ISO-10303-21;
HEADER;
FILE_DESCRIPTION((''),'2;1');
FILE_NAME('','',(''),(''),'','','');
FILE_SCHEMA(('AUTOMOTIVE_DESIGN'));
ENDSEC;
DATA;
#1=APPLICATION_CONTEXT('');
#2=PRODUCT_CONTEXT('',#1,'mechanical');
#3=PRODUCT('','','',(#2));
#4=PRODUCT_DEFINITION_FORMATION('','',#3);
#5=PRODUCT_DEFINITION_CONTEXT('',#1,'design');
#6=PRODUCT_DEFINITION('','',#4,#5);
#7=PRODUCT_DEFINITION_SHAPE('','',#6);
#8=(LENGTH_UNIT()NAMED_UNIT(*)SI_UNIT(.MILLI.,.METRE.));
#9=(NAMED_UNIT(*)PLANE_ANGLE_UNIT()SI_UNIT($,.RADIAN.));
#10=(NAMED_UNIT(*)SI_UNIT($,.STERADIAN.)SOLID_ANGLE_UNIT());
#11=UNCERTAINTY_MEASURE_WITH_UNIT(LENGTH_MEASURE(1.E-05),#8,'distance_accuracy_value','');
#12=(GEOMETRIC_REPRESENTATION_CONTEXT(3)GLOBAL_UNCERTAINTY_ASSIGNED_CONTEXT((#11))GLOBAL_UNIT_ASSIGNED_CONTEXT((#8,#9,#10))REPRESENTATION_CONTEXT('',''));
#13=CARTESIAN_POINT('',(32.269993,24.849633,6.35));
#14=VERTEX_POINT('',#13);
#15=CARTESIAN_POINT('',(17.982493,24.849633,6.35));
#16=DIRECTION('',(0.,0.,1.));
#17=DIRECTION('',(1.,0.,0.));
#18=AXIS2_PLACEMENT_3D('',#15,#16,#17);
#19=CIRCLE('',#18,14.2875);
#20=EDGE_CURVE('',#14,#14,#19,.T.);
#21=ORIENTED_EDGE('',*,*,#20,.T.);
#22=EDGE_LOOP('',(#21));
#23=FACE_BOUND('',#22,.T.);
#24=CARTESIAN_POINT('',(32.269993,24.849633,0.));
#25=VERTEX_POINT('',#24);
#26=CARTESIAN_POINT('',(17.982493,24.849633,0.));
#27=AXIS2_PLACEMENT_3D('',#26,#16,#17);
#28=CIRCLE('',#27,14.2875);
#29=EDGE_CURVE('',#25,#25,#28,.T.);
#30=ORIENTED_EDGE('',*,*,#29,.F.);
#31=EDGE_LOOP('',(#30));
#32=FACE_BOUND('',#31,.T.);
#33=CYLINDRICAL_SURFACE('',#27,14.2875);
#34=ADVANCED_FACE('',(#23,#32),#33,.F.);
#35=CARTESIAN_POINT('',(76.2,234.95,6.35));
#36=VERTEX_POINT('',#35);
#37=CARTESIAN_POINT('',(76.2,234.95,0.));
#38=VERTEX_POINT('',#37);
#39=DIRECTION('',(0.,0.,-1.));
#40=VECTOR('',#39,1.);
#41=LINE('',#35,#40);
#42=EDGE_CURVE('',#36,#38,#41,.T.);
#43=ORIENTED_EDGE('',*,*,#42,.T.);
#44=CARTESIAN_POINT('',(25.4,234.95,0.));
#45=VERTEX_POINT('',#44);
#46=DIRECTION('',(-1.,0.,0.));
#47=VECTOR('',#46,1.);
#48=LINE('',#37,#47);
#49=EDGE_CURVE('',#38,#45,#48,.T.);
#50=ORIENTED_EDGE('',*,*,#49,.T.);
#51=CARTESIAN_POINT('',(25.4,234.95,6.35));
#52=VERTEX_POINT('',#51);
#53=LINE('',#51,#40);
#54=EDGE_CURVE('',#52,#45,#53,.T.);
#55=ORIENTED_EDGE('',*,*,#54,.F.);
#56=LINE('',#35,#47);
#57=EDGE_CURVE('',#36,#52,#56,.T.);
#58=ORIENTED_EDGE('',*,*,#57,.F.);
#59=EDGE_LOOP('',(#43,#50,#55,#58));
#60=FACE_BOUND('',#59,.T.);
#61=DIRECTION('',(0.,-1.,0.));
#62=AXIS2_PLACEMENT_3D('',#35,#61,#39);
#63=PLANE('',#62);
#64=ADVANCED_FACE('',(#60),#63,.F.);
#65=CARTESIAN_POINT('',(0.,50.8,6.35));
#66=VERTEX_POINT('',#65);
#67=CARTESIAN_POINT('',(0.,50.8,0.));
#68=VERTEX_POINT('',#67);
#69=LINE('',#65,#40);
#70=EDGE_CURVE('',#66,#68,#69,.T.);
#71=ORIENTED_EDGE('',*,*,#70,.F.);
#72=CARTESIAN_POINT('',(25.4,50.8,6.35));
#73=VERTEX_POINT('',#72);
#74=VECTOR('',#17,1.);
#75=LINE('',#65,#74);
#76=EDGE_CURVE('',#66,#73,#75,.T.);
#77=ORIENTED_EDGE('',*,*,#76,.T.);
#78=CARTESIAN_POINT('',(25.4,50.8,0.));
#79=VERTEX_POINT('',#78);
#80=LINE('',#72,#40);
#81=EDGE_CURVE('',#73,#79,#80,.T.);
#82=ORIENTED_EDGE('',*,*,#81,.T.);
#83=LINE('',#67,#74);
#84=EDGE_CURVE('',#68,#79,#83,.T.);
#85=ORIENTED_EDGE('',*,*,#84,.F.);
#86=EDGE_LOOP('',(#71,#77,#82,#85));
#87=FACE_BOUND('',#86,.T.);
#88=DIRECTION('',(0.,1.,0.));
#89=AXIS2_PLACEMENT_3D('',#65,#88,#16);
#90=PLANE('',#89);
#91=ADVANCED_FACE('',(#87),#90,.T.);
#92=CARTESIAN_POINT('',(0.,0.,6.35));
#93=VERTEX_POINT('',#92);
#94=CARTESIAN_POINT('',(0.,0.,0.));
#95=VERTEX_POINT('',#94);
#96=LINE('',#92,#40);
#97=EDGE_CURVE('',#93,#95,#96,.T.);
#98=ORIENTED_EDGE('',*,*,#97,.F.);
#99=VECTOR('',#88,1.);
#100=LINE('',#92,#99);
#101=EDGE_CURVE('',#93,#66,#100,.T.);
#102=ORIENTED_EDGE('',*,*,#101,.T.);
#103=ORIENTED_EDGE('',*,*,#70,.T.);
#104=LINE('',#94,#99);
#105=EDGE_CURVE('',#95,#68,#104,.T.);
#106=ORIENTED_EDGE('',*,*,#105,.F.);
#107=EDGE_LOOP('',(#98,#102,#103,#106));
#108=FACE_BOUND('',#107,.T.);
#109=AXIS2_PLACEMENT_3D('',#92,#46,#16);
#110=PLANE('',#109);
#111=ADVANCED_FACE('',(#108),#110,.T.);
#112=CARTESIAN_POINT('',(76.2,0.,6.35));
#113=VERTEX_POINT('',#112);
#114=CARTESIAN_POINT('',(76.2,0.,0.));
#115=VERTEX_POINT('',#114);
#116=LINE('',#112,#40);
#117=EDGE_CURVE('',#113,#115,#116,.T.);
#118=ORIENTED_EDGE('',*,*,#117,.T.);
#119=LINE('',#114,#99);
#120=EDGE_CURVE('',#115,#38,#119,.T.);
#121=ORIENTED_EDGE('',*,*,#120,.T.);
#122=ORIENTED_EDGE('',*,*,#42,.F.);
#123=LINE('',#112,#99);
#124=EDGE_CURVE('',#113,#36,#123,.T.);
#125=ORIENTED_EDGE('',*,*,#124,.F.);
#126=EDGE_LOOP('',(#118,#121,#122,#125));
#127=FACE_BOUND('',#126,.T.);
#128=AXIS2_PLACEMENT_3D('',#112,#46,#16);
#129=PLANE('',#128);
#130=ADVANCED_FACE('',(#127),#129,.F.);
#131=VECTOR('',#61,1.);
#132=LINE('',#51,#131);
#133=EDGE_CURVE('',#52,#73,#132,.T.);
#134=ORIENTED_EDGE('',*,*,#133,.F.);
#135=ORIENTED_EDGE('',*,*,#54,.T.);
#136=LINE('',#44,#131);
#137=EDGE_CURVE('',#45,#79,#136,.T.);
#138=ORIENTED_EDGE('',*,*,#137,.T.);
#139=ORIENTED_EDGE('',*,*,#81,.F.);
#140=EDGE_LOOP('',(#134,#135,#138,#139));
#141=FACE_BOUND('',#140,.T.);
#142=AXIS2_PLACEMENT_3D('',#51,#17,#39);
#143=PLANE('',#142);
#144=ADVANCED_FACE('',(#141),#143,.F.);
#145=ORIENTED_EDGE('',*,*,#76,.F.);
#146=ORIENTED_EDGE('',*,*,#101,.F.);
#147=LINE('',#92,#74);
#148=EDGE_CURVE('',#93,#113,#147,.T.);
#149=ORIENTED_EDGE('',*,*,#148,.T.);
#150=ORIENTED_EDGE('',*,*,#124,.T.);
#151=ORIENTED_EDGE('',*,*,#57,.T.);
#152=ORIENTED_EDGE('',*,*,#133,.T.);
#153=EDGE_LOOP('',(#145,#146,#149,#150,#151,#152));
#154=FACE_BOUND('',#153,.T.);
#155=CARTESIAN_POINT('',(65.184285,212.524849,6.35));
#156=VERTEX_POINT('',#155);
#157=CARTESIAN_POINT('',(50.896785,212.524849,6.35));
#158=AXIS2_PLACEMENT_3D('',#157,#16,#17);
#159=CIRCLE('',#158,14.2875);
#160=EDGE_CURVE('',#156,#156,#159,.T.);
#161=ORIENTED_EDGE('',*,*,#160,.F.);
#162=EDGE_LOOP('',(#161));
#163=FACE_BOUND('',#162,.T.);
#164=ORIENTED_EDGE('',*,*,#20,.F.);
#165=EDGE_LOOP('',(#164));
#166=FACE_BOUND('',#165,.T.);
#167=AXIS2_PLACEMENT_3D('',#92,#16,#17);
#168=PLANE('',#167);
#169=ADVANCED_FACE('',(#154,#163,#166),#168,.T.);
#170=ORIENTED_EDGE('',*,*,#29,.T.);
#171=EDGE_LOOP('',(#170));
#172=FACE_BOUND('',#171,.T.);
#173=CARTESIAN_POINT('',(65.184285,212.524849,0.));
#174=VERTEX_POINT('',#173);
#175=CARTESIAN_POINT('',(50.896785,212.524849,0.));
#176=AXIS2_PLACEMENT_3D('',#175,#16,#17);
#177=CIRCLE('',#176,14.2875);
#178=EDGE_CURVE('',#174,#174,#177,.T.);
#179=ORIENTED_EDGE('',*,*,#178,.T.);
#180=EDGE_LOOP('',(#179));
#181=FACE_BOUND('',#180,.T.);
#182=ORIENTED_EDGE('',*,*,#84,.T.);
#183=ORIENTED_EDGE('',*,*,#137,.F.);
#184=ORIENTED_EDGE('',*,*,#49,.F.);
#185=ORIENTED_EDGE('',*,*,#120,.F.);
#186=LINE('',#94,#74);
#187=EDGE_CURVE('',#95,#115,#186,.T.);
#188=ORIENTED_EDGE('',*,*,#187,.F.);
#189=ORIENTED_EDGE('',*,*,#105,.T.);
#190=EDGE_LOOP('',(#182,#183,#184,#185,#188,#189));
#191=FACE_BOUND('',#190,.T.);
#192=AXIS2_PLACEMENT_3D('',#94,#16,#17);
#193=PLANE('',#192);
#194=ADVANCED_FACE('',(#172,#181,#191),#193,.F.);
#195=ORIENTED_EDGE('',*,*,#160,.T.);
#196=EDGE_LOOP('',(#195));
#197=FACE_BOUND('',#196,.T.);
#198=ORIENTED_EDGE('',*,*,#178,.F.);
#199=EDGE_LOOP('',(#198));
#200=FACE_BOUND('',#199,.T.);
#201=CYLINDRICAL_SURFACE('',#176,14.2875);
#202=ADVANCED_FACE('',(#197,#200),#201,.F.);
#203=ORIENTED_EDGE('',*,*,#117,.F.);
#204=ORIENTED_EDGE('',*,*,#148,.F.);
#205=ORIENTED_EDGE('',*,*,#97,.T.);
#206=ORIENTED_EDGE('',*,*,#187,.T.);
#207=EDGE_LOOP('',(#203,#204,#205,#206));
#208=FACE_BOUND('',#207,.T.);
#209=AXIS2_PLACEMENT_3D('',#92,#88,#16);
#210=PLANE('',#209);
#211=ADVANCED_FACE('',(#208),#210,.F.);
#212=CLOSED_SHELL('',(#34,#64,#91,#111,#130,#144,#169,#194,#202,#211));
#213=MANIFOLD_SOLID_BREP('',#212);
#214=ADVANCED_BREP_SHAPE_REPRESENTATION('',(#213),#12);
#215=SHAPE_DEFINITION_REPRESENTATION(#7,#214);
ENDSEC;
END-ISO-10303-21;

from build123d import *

# Parameters (mm, degrees)
BOSS_EXTRUDE1_DEPTH = 6.35
SKETCH2_R           = 14.2875
CUT_EXTRUDE1_DEPTH  = 6.35


with BuildPart() as part:
    # Sketch1 → Boss-Extrude1 (new body)
    with BuildSketch(Plane.XY):
        Polygon((0, 0), (76.2, 0), (76.2, 234.95), (25.4, 234.95), (25.4, 50.8), (0, 50.8), align=None)
    extrude(amount=BOSS_EXTRUDE1_DEPTH)

    # Sketch2 → Cut-Extrude1 (cut)
    with BuildSketch(Plane.XY.offset(6.35)):
        with Locations((17.982492959, 24.849632573)):
            Circle(SKETCH2_R)
        with Locations((50.8967853, 212.524849319)):
            Circle(SKETCH2_R)
    extrude(amount=-CUT_EXTRUDE1_DEPTH, mode=Mode.SUBTRACT)


solid = part.part
